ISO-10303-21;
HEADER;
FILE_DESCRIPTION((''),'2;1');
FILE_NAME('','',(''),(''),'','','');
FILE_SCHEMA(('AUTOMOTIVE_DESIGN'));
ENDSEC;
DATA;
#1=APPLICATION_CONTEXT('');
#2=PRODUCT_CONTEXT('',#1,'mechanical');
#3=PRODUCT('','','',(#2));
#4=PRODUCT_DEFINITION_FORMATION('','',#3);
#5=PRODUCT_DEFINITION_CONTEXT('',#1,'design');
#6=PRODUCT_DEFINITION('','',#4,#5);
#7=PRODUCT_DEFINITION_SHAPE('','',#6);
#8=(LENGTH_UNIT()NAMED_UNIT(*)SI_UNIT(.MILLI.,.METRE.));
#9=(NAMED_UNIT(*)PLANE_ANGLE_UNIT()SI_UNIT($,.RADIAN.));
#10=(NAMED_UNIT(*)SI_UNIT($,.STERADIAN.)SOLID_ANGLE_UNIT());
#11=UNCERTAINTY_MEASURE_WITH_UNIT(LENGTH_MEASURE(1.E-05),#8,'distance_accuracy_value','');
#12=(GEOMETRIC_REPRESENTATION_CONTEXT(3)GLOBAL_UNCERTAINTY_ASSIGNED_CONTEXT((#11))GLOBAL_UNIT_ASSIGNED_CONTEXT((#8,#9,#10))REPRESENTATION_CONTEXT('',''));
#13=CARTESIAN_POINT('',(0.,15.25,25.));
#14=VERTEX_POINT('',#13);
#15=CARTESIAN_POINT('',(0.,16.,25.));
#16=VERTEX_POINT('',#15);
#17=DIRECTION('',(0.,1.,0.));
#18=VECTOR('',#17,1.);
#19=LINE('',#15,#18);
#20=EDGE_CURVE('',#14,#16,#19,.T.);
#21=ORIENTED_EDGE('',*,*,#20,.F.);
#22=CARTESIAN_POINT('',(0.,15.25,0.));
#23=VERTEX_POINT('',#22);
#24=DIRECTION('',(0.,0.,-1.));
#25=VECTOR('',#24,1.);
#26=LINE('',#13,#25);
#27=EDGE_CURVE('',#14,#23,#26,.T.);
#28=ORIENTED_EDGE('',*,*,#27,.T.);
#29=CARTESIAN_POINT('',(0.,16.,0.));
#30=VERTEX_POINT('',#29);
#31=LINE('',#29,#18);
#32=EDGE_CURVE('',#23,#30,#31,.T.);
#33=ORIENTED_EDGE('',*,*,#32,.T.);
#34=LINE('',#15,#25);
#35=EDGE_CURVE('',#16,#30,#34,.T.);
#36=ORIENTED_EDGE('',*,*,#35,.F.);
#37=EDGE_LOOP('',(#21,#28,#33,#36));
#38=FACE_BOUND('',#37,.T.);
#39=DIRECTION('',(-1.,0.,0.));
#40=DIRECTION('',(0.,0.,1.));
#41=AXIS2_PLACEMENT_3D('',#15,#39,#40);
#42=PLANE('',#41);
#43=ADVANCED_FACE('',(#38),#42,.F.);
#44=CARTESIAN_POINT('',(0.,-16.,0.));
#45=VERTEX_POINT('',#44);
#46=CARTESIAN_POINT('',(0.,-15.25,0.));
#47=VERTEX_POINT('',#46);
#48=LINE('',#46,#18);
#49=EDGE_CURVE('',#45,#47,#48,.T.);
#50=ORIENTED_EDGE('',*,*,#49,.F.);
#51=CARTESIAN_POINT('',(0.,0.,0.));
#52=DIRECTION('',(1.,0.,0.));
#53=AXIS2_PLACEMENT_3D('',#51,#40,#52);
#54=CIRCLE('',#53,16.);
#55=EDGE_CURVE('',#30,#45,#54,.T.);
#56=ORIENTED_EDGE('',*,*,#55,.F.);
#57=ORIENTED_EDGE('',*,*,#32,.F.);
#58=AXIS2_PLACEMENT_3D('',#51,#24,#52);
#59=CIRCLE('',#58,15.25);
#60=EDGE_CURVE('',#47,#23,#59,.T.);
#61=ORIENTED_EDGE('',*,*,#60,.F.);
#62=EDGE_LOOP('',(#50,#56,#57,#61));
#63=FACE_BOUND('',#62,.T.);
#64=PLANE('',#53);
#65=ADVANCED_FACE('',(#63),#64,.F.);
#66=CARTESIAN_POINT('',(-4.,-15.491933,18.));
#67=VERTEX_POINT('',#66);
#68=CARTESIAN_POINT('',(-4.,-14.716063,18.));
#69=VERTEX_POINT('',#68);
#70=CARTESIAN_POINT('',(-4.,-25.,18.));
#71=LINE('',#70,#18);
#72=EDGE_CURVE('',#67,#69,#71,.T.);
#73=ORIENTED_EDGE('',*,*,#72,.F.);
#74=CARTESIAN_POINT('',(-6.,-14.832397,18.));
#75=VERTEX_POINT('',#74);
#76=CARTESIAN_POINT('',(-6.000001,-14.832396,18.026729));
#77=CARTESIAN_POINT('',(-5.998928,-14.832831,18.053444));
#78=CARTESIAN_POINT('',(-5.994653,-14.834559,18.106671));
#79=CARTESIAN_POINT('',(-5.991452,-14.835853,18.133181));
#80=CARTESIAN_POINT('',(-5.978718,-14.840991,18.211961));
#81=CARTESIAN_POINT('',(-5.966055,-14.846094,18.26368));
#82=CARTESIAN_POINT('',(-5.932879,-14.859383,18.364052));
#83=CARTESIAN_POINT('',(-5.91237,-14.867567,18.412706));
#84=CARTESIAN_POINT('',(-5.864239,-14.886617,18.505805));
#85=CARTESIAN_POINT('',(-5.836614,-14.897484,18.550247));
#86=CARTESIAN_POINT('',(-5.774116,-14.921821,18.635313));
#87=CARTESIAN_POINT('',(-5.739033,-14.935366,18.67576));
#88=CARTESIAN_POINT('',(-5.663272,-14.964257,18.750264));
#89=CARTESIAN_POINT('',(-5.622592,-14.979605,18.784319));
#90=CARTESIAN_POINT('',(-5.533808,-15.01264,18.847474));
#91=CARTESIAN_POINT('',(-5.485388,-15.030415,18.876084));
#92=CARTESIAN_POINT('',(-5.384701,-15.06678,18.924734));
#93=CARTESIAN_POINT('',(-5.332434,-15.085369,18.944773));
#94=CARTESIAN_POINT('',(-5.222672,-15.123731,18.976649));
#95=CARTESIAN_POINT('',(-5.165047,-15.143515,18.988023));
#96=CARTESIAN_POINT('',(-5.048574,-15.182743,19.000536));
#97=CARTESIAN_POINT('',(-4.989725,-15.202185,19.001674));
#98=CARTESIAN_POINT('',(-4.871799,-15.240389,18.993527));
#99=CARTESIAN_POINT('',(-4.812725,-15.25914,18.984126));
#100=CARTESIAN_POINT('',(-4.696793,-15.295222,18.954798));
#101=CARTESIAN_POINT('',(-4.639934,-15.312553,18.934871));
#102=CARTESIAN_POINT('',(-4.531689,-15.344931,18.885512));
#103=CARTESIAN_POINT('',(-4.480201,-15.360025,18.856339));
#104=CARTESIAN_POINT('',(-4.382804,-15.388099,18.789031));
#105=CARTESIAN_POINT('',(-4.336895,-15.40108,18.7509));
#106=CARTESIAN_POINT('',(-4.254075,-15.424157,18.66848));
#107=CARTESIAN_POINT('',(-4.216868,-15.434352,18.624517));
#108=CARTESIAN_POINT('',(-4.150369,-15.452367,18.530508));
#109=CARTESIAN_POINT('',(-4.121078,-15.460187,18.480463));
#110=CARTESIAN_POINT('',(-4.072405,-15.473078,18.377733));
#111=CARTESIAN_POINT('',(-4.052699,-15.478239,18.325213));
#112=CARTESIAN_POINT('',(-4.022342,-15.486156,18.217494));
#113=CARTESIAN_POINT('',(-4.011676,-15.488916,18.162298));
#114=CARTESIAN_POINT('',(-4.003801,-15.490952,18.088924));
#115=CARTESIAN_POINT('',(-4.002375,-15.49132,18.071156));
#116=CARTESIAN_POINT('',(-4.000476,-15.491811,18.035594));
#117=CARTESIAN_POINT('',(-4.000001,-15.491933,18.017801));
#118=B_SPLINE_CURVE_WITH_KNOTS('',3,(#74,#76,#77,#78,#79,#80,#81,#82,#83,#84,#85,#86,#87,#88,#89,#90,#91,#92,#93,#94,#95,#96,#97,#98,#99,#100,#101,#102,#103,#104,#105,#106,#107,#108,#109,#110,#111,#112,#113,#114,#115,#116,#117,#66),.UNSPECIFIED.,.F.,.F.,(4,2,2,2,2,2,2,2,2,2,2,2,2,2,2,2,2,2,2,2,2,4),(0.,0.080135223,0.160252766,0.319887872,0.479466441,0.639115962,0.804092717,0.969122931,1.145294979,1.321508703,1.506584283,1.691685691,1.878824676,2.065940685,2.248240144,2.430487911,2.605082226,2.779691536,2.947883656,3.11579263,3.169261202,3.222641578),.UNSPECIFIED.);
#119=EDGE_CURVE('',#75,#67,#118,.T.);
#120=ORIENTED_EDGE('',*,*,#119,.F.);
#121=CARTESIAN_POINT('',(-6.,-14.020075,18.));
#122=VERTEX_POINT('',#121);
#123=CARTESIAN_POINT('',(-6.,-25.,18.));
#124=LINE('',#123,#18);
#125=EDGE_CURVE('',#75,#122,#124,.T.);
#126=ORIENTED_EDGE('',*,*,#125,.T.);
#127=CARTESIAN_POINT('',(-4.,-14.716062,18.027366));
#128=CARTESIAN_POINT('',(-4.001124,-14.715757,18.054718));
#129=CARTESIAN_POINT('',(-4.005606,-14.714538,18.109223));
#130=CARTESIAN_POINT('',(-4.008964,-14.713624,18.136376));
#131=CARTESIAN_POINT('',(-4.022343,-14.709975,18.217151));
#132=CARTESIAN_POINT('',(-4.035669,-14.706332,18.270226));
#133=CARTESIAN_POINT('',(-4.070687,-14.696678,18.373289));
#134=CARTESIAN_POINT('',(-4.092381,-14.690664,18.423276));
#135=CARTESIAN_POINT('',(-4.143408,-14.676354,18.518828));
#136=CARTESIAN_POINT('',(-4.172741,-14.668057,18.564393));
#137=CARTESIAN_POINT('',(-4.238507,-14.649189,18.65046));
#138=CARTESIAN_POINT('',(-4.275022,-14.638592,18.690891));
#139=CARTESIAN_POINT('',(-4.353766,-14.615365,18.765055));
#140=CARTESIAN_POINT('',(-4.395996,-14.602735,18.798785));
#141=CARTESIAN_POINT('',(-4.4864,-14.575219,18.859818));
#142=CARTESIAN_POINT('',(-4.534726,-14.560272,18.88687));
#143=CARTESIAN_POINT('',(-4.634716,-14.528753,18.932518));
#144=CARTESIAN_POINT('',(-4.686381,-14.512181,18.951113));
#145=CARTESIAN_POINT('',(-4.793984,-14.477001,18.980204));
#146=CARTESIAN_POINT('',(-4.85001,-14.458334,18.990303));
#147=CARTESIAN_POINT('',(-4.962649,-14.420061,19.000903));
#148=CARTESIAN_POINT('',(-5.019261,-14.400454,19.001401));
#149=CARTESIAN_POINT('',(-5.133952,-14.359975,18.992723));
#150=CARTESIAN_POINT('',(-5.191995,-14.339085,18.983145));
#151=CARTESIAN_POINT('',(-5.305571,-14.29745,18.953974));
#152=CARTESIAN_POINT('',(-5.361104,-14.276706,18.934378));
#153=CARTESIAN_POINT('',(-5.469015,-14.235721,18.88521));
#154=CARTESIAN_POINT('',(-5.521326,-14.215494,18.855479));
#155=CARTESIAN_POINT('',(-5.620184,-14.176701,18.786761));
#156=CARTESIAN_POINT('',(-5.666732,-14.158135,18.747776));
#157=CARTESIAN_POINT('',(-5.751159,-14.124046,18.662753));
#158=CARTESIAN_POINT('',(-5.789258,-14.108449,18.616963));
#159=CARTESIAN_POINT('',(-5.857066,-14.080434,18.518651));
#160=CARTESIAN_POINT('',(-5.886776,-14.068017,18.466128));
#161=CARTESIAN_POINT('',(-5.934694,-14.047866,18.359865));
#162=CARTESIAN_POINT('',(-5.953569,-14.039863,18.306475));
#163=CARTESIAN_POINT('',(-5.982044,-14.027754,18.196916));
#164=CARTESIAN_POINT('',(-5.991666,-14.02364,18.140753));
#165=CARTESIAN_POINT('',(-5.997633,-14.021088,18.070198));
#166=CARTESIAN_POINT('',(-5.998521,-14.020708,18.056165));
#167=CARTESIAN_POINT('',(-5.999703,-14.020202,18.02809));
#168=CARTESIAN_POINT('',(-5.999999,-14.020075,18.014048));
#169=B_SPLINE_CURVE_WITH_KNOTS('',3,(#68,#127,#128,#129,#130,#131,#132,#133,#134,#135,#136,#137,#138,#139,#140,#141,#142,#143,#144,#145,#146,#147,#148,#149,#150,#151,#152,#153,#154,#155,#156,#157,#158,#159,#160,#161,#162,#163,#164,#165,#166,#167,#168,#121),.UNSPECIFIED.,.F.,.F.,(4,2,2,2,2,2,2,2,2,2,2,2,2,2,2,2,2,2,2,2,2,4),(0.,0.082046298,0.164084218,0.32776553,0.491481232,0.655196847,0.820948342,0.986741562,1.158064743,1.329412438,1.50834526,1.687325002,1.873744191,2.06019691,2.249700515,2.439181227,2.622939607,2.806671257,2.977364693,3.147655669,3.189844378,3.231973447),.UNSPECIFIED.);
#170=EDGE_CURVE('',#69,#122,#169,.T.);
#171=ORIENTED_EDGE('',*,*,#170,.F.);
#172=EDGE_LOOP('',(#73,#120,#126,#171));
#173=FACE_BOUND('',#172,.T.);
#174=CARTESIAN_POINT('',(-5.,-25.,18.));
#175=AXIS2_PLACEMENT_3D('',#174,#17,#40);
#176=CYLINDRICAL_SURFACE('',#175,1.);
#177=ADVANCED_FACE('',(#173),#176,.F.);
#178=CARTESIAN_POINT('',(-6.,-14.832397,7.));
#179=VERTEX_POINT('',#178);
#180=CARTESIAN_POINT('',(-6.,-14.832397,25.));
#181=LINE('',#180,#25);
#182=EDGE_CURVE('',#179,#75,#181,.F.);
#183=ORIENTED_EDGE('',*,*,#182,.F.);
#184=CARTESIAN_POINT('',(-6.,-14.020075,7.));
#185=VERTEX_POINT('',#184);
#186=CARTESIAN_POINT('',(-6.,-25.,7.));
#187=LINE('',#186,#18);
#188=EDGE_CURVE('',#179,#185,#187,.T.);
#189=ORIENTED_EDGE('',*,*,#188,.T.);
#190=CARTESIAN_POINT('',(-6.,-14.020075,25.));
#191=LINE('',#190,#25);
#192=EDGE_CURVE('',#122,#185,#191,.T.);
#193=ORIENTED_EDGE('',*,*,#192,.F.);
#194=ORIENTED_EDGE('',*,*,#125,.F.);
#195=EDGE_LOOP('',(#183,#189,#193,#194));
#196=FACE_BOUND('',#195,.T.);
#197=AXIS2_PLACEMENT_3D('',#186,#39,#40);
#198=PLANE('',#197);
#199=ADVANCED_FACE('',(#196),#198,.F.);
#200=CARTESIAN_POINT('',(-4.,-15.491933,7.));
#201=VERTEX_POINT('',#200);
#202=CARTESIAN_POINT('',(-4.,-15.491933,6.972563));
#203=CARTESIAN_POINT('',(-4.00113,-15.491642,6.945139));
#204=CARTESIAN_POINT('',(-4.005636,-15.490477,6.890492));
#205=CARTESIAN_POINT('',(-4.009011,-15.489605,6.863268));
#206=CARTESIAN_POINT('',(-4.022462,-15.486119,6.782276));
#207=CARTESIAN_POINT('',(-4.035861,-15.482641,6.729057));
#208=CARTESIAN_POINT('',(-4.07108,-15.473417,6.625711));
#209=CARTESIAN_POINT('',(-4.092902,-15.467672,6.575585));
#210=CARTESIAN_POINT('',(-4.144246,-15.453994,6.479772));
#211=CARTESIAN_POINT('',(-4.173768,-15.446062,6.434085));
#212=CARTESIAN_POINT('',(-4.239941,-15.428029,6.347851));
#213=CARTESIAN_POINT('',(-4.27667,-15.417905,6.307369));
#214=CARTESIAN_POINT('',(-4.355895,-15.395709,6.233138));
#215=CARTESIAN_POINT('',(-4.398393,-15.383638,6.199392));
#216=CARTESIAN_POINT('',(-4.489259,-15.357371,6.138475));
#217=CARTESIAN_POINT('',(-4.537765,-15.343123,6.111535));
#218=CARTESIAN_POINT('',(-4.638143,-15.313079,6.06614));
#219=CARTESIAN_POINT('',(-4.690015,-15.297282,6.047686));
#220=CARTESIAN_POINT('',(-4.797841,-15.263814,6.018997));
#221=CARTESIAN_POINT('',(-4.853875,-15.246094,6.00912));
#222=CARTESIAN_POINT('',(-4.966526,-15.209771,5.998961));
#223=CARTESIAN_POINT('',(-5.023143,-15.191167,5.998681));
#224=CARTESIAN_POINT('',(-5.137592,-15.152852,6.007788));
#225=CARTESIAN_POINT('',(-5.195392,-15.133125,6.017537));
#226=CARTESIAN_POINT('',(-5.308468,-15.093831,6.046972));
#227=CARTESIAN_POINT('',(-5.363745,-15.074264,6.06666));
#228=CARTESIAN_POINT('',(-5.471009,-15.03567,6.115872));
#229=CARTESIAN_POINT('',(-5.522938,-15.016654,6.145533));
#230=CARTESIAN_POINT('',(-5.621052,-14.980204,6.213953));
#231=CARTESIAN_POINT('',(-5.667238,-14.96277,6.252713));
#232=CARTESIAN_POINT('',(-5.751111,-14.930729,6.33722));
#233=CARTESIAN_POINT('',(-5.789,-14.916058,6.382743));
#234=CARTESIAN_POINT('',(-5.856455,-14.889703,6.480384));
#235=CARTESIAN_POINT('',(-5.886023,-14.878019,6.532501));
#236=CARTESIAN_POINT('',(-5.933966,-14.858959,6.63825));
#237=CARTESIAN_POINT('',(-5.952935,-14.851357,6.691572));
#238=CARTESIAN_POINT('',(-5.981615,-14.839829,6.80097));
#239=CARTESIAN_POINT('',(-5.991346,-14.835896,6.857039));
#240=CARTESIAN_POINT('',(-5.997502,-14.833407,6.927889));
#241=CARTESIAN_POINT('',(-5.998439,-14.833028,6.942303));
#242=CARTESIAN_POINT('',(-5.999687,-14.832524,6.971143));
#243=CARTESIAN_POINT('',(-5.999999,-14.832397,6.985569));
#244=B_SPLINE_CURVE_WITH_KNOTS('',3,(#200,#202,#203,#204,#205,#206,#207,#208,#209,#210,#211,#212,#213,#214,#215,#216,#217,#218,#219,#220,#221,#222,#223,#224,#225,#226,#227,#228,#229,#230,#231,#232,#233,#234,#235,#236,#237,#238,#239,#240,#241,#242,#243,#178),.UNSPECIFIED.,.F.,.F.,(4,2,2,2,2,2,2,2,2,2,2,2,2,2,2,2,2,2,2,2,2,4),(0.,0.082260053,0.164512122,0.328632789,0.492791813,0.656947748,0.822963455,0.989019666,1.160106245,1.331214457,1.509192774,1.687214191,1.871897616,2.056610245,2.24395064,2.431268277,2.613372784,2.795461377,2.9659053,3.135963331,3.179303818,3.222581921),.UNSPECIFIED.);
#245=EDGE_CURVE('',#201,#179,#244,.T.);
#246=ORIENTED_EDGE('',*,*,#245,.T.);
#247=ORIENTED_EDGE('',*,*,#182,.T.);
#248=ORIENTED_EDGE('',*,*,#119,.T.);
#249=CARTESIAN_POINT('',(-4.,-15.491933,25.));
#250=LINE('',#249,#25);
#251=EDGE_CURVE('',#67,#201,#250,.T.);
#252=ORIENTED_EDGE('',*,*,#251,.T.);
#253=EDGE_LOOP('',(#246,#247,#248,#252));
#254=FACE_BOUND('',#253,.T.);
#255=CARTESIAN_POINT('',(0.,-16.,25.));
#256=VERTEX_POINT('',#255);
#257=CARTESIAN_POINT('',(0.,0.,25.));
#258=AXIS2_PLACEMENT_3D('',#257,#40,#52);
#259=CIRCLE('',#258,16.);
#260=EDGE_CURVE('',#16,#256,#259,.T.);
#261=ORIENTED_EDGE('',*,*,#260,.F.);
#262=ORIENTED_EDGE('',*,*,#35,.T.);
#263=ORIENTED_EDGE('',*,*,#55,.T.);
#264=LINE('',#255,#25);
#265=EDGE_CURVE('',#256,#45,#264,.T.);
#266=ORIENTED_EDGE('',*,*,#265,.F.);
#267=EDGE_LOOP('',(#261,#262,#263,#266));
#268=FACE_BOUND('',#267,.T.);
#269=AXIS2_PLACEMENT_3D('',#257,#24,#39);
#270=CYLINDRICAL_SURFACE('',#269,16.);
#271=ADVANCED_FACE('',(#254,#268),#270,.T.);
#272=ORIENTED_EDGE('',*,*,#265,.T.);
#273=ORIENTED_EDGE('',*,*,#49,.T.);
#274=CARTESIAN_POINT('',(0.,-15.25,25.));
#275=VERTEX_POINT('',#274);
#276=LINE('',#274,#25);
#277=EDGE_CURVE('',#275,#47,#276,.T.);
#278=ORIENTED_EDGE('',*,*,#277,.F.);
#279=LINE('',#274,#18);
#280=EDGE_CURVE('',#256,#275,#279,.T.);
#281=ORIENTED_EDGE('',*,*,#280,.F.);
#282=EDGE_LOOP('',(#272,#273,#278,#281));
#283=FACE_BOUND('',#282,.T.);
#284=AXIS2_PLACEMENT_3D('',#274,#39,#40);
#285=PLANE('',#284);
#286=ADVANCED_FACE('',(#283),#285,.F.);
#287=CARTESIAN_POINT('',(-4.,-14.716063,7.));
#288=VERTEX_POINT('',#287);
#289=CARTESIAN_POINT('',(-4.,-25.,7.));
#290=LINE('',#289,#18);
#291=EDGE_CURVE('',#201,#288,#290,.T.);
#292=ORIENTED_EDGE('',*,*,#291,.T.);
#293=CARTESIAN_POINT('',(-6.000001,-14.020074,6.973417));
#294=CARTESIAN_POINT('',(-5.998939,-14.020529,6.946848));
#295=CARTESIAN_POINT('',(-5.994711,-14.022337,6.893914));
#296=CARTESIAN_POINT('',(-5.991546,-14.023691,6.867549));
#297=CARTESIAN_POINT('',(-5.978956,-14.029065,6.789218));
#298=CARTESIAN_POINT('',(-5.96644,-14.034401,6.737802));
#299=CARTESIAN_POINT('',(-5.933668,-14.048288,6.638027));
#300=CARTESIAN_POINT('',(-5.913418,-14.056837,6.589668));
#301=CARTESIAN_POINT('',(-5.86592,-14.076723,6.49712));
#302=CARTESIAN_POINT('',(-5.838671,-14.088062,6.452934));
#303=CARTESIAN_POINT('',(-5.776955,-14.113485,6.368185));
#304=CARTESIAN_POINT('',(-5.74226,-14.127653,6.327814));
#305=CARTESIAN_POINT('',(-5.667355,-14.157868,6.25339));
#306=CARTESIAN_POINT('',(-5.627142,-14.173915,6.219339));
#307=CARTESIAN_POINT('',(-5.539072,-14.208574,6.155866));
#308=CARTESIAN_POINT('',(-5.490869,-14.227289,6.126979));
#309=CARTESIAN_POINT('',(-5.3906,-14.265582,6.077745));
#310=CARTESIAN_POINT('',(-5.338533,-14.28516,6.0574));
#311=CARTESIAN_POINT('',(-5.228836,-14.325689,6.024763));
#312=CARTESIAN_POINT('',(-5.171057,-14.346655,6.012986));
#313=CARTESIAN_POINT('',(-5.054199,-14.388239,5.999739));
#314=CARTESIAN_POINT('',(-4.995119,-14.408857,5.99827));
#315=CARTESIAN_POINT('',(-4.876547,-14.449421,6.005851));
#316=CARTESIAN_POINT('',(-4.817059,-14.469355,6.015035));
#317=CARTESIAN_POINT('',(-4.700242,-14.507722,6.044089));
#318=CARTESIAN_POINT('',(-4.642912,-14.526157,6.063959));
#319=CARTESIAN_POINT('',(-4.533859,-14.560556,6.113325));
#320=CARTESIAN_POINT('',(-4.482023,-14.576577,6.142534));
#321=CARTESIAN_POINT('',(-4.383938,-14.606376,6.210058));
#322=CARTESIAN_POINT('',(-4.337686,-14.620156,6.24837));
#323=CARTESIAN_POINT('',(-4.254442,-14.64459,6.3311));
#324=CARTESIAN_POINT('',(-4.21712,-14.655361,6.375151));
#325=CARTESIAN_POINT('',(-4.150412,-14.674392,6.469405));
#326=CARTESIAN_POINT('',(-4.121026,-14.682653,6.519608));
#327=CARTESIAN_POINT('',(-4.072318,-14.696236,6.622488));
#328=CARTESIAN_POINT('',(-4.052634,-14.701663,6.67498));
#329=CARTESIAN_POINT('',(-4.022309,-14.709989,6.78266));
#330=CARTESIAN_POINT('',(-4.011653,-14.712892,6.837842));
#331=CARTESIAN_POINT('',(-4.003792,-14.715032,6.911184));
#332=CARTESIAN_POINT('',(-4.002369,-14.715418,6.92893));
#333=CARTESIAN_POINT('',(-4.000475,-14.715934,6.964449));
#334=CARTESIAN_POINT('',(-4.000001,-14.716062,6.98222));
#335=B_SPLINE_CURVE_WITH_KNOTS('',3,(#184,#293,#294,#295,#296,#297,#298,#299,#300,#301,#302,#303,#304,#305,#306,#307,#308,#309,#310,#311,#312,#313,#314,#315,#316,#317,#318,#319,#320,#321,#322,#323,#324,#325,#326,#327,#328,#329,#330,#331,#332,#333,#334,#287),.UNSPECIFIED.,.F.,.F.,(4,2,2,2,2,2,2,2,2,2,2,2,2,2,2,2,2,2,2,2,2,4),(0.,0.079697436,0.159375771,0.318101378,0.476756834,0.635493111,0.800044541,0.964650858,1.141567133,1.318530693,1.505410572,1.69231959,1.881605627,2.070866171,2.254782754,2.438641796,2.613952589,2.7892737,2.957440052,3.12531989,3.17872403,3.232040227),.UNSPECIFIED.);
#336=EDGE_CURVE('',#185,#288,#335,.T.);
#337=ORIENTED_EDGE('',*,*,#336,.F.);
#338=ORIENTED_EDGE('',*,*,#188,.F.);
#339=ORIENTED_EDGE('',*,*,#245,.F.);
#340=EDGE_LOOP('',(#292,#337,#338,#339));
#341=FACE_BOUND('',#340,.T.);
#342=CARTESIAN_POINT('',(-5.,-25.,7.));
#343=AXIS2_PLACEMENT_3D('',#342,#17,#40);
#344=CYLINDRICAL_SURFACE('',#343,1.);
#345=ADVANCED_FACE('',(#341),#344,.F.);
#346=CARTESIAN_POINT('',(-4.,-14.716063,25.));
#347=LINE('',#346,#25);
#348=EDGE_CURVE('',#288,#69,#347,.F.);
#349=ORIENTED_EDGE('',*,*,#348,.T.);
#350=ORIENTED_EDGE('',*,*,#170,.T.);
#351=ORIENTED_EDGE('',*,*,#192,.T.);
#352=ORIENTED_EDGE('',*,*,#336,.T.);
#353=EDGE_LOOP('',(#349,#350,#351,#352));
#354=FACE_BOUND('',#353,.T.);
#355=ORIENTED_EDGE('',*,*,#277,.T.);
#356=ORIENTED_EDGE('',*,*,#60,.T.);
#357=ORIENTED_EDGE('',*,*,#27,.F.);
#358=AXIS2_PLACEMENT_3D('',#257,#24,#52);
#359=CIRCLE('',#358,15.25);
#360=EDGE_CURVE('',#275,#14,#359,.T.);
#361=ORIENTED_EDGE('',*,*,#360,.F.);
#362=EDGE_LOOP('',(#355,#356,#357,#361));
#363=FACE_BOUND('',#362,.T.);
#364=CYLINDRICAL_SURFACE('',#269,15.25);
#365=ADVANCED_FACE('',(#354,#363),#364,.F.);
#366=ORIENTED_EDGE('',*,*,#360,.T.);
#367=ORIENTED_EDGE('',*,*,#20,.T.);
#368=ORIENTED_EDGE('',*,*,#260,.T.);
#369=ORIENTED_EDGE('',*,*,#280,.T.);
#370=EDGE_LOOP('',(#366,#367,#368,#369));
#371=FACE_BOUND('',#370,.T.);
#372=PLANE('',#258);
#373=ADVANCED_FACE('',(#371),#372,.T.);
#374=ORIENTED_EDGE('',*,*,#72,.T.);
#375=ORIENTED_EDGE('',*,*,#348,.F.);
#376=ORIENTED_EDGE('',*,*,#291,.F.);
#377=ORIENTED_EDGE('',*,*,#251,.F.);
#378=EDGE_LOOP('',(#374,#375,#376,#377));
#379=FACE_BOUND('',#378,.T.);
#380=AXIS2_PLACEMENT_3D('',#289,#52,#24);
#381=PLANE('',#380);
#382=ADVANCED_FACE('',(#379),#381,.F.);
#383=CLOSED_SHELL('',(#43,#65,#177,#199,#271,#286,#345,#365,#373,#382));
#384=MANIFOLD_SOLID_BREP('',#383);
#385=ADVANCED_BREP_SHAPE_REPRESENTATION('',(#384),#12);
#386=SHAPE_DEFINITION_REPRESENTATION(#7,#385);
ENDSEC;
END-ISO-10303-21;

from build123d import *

# Parameters (mm, degrees)
SALIENTE_EXTRUIR1_DEPTH = 25
CORTAR_EXTRUIR1_DEPTH   = 25


with BuildPart() as part:
    # Croquis1 → Saliente-Extruir1 (new body)
    with BuildSketch(Plane.XY):
        with BuildLine():
            Line((0, 16), (0, 15.25))
            ThreePointArc((0, 15.25), (-15.25, 0), (0, -15.25))
            Line((0, -15.25), (0, -16))
            ThreePointArc((0, -16), (-16, 0), (0, 16))
        make_face()
    extrude(amount=SALIENTE_EXTRUIR1_DEPTH)

    # Croquis2 → Cortar-Extruir1 (cut)
    with BuildSketch(Plane(origin=(0, 0, 0), x_dir=(1, 0, 0), z_dir=(0, 1, 0))):
        with BuildLine():
            Line((-4, -7), (-4, -18))
            ThreePointArc((-4, -18), (-5, -19), (-6, -18))
            Line((-6, -18), (-6, -7))
            ThreePointArc((-6, -7), (-5, -6), (-4, -7))
        make_face()
    extrude(amount=-CORTAR_EXTRUIR1_DEPTH, mode=Mode.SUBTRACT)


solid = part.part
